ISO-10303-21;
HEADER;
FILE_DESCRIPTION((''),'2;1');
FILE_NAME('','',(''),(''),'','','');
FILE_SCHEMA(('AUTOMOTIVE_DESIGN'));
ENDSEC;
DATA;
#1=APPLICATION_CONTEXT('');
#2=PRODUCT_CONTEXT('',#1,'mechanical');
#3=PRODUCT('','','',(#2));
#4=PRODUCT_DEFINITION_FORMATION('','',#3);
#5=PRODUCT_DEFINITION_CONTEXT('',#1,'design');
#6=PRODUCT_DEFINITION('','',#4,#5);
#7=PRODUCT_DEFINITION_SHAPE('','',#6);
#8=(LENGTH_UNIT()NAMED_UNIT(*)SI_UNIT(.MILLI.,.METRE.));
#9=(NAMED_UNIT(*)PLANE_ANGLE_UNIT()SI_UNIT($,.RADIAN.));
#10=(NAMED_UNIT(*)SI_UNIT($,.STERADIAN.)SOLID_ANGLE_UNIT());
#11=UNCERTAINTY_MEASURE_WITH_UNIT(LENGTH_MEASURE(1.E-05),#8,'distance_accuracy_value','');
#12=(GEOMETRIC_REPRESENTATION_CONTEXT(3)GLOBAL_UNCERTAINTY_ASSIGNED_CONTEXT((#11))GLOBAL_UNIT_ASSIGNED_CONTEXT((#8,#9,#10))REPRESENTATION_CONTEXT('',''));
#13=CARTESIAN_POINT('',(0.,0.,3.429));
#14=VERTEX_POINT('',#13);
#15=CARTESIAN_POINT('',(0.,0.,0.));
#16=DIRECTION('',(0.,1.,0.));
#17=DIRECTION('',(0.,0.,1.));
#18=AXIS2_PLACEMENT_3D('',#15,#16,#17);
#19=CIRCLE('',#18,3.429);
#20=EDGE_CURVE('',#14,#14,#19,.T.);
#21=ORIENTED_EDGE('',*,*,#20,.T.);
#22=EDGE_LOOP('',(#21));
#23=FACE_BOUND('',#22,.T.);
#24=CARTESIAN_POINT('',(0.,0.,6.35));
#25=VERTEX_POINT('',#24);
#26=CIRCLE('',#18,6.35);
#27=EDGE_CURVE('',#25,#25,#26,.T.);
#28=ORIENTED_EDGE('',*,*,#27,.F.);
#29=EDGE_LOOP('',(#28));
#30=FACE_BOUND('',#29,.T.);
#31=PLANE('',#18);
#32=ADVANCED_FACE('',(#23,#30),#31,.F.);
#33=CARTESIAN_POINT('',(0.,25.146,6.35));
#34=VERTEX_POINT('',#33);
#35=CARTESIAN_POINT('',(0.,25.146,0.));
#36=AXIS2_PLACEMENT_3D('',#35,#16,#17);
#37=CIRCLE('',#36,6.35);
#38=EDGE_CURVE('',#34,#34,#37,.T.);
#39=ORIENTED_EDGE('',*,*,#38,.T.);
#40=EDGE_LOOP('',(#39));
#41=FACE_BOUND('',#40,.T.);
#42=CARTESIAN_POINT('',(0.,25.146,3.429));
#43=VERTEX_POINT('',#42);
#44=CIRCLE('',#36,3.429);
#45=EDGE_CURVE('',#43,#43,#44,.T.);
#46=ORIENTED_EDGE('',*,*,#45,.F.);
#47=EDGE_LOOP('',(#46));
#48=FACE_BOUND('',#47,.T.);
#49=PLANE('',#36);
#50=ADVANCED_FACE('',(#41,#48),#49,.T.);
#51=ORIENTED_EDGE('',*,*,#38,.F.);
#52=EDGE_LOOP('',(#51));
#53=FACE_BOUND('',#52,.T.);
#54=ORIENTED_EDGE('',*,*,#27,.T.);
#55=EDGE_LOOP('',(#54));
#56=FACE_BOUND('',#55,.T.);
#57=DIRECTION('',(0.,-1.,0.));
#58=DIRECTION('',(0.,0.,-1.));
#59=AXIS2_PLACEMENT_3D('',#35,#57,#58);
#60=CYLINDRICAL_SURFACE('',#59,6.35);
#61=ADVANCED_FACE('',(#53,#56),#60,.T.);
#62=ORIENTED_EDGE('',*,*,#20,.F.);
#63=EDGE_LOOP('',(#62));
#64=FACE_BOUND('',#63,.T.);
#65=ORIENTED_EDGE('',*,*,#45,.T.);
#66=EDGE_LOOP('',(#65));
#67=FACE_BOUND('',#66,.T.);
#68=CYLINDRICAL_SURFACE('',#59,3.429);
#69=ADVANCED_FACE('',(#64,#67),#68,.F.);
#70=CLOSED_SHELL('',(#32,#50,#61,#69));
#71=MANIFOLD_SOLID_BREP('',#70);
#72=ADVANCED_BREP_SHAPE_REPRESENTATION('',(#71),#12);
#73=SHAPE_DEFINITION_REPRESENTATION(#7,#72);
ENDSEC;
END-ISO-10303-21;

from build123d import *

# Parameters (mm, degrees)
SKETCH1_R           = 6.35
SKETCH1_R_2         = 3.429
BOSS_EXTRUDE1_DEPTH = 25.146


with BuildPart() as part:
    # Sketch1 → Boss-Extrude1 (new body)
    with BuildSketch(Plane(origin=(0, 0, 0), x_dir=(1, 0, 0), z_dir=(0, 1, 0))):
        with Locations(Location((0, 0, 0), (0, 0, 270))):
            Circle(SKETCH1_R)
        with Locations(Location((0, 0, 0), (0, 0, 270))):
            Circle(SKETCH1_R_2, mode=Mode.SUBTRACT)
    extrude(amount=BOSS_EXTRUDE1_DEPTH)


solid = part.part
